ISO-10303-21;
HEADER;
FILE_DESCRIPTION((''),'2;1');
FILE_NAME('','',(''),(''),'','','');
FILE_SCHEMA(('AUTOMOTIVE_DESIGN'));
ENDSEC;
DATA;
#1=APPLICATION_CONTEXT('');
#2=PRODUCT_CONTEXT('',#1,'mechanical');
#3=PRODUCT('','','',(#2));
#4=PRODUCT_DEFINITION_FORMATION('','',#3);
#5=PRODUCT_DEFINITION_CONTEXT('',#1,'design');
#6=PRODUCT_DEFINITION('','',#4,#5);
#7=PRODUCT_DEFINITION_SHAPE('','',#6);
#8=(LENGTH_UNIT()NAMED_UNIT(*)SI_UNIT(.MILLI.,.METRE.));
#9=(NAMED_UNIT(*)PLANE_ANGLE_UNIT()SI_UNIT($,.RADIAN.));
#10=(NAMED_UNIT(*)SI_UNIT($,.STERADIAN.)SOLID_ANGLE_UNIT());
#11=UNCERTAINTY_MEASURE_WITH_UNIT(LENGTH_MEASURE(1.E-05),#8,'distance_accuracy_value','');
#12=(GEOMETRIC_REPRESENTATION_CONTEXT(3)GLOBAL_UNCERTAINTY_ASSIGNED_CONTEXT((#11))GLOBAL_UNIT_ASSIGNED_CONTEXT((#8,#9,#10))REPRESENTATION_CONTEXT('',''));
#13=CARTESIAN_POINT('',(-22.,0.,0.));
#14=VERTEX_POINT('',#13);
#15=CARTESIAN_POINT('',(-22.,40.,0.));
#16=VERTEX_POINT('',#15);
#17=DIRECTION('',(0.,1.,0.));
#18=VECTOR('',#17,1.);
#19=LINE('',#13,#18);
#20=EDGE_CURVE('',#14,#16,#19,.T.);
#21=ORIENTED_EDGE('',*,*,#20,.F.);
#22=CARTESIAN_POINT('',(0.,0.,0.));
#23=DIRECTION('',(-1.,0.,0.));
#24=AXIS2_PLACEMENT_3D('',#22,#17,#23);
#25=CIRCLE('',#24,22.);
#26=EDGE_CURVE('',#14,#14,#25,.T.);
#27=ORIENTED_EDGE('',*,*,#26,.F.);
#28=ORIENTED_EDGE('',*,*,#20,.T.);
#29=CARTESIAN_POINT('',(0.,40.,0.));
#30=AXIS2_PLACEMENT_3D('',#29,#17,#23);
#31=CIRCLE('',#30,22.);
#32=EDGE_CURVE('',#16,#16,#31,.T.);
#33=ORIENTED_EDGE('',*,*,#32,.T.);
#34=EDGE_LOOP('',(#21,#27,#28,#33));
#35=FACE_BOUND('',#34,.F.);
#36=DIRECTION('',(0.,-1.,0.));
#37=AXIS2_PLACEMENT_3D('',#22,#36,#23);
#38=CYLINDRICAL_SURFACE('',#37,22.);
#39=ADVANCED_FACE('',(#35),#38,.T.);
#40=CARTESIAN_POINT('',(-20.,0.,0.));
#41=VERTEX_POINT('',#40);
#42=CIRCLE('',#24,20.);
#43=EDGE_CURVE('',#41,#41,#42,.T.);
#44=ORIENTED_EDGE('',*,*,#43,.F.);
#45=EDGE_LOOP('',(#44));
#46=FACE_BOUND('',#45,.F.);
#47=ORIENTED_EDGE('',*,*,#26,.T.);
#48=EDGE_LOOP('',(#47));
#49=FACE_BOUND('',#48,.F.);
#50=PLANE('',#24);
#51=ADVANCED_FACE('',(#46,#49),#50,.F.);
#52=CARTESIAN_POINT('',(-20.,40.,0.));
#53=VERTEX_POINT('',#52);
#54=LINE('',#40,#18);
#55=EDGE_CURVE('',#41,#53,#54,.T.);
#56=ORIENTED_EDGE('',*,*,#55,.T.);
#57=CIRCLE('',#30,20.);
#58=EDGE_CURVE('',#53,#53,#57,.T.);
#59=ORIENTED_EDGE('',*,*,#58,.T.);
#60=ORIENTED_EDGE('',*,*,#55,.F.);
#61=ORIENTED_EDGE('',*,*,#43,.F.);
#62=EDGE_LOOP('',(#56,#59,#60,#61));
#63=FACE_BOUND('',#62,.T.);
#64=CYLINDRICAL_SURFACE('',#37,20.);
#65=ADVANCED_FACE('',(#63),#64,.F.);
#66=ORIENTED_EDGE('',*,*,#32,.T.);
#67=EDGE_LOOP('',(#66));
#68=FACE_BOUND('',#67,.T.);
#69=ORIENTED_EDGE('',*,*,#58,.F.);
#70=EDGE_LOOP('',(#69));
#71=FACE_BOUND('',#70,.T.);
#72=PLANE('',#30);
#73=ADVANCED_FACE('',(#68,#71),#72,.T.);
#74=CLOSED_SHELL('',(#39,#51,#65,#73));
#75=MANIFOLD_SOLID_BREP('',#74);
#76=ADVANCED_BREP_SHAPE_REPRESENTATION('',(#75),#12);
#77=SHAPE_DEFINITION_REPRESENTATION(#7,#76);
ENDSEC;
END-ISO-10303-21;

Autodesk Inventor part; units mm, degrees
ref_plane "YZ Plane" through (0, 0, 0) normal (1, 0, 0) x (0, 1, 0)
ref_plane "XZ Plane" through (0, 0, 0) normal (0, 1, 0) x (-1, 0, 0)
ref_plane "XY Plane" through (0, 0, 0) normal (0, 0, 1) x (1, 0, 0)
sketch "Эскиз1" plane through (0, 0, 0) normal (0, 1, 0) x (-1, 0, 0)
  circle A0 centre (0, 0) radius 20
  circle A1 centre (0, 0) radius 22
  dimension "d0" = 40
  dimension "d1" = 2
extrude "Выдавливание1" add sketch "Эскиз1" along normal blind 40
properties part number "tube001_beta" material "Стекло"
